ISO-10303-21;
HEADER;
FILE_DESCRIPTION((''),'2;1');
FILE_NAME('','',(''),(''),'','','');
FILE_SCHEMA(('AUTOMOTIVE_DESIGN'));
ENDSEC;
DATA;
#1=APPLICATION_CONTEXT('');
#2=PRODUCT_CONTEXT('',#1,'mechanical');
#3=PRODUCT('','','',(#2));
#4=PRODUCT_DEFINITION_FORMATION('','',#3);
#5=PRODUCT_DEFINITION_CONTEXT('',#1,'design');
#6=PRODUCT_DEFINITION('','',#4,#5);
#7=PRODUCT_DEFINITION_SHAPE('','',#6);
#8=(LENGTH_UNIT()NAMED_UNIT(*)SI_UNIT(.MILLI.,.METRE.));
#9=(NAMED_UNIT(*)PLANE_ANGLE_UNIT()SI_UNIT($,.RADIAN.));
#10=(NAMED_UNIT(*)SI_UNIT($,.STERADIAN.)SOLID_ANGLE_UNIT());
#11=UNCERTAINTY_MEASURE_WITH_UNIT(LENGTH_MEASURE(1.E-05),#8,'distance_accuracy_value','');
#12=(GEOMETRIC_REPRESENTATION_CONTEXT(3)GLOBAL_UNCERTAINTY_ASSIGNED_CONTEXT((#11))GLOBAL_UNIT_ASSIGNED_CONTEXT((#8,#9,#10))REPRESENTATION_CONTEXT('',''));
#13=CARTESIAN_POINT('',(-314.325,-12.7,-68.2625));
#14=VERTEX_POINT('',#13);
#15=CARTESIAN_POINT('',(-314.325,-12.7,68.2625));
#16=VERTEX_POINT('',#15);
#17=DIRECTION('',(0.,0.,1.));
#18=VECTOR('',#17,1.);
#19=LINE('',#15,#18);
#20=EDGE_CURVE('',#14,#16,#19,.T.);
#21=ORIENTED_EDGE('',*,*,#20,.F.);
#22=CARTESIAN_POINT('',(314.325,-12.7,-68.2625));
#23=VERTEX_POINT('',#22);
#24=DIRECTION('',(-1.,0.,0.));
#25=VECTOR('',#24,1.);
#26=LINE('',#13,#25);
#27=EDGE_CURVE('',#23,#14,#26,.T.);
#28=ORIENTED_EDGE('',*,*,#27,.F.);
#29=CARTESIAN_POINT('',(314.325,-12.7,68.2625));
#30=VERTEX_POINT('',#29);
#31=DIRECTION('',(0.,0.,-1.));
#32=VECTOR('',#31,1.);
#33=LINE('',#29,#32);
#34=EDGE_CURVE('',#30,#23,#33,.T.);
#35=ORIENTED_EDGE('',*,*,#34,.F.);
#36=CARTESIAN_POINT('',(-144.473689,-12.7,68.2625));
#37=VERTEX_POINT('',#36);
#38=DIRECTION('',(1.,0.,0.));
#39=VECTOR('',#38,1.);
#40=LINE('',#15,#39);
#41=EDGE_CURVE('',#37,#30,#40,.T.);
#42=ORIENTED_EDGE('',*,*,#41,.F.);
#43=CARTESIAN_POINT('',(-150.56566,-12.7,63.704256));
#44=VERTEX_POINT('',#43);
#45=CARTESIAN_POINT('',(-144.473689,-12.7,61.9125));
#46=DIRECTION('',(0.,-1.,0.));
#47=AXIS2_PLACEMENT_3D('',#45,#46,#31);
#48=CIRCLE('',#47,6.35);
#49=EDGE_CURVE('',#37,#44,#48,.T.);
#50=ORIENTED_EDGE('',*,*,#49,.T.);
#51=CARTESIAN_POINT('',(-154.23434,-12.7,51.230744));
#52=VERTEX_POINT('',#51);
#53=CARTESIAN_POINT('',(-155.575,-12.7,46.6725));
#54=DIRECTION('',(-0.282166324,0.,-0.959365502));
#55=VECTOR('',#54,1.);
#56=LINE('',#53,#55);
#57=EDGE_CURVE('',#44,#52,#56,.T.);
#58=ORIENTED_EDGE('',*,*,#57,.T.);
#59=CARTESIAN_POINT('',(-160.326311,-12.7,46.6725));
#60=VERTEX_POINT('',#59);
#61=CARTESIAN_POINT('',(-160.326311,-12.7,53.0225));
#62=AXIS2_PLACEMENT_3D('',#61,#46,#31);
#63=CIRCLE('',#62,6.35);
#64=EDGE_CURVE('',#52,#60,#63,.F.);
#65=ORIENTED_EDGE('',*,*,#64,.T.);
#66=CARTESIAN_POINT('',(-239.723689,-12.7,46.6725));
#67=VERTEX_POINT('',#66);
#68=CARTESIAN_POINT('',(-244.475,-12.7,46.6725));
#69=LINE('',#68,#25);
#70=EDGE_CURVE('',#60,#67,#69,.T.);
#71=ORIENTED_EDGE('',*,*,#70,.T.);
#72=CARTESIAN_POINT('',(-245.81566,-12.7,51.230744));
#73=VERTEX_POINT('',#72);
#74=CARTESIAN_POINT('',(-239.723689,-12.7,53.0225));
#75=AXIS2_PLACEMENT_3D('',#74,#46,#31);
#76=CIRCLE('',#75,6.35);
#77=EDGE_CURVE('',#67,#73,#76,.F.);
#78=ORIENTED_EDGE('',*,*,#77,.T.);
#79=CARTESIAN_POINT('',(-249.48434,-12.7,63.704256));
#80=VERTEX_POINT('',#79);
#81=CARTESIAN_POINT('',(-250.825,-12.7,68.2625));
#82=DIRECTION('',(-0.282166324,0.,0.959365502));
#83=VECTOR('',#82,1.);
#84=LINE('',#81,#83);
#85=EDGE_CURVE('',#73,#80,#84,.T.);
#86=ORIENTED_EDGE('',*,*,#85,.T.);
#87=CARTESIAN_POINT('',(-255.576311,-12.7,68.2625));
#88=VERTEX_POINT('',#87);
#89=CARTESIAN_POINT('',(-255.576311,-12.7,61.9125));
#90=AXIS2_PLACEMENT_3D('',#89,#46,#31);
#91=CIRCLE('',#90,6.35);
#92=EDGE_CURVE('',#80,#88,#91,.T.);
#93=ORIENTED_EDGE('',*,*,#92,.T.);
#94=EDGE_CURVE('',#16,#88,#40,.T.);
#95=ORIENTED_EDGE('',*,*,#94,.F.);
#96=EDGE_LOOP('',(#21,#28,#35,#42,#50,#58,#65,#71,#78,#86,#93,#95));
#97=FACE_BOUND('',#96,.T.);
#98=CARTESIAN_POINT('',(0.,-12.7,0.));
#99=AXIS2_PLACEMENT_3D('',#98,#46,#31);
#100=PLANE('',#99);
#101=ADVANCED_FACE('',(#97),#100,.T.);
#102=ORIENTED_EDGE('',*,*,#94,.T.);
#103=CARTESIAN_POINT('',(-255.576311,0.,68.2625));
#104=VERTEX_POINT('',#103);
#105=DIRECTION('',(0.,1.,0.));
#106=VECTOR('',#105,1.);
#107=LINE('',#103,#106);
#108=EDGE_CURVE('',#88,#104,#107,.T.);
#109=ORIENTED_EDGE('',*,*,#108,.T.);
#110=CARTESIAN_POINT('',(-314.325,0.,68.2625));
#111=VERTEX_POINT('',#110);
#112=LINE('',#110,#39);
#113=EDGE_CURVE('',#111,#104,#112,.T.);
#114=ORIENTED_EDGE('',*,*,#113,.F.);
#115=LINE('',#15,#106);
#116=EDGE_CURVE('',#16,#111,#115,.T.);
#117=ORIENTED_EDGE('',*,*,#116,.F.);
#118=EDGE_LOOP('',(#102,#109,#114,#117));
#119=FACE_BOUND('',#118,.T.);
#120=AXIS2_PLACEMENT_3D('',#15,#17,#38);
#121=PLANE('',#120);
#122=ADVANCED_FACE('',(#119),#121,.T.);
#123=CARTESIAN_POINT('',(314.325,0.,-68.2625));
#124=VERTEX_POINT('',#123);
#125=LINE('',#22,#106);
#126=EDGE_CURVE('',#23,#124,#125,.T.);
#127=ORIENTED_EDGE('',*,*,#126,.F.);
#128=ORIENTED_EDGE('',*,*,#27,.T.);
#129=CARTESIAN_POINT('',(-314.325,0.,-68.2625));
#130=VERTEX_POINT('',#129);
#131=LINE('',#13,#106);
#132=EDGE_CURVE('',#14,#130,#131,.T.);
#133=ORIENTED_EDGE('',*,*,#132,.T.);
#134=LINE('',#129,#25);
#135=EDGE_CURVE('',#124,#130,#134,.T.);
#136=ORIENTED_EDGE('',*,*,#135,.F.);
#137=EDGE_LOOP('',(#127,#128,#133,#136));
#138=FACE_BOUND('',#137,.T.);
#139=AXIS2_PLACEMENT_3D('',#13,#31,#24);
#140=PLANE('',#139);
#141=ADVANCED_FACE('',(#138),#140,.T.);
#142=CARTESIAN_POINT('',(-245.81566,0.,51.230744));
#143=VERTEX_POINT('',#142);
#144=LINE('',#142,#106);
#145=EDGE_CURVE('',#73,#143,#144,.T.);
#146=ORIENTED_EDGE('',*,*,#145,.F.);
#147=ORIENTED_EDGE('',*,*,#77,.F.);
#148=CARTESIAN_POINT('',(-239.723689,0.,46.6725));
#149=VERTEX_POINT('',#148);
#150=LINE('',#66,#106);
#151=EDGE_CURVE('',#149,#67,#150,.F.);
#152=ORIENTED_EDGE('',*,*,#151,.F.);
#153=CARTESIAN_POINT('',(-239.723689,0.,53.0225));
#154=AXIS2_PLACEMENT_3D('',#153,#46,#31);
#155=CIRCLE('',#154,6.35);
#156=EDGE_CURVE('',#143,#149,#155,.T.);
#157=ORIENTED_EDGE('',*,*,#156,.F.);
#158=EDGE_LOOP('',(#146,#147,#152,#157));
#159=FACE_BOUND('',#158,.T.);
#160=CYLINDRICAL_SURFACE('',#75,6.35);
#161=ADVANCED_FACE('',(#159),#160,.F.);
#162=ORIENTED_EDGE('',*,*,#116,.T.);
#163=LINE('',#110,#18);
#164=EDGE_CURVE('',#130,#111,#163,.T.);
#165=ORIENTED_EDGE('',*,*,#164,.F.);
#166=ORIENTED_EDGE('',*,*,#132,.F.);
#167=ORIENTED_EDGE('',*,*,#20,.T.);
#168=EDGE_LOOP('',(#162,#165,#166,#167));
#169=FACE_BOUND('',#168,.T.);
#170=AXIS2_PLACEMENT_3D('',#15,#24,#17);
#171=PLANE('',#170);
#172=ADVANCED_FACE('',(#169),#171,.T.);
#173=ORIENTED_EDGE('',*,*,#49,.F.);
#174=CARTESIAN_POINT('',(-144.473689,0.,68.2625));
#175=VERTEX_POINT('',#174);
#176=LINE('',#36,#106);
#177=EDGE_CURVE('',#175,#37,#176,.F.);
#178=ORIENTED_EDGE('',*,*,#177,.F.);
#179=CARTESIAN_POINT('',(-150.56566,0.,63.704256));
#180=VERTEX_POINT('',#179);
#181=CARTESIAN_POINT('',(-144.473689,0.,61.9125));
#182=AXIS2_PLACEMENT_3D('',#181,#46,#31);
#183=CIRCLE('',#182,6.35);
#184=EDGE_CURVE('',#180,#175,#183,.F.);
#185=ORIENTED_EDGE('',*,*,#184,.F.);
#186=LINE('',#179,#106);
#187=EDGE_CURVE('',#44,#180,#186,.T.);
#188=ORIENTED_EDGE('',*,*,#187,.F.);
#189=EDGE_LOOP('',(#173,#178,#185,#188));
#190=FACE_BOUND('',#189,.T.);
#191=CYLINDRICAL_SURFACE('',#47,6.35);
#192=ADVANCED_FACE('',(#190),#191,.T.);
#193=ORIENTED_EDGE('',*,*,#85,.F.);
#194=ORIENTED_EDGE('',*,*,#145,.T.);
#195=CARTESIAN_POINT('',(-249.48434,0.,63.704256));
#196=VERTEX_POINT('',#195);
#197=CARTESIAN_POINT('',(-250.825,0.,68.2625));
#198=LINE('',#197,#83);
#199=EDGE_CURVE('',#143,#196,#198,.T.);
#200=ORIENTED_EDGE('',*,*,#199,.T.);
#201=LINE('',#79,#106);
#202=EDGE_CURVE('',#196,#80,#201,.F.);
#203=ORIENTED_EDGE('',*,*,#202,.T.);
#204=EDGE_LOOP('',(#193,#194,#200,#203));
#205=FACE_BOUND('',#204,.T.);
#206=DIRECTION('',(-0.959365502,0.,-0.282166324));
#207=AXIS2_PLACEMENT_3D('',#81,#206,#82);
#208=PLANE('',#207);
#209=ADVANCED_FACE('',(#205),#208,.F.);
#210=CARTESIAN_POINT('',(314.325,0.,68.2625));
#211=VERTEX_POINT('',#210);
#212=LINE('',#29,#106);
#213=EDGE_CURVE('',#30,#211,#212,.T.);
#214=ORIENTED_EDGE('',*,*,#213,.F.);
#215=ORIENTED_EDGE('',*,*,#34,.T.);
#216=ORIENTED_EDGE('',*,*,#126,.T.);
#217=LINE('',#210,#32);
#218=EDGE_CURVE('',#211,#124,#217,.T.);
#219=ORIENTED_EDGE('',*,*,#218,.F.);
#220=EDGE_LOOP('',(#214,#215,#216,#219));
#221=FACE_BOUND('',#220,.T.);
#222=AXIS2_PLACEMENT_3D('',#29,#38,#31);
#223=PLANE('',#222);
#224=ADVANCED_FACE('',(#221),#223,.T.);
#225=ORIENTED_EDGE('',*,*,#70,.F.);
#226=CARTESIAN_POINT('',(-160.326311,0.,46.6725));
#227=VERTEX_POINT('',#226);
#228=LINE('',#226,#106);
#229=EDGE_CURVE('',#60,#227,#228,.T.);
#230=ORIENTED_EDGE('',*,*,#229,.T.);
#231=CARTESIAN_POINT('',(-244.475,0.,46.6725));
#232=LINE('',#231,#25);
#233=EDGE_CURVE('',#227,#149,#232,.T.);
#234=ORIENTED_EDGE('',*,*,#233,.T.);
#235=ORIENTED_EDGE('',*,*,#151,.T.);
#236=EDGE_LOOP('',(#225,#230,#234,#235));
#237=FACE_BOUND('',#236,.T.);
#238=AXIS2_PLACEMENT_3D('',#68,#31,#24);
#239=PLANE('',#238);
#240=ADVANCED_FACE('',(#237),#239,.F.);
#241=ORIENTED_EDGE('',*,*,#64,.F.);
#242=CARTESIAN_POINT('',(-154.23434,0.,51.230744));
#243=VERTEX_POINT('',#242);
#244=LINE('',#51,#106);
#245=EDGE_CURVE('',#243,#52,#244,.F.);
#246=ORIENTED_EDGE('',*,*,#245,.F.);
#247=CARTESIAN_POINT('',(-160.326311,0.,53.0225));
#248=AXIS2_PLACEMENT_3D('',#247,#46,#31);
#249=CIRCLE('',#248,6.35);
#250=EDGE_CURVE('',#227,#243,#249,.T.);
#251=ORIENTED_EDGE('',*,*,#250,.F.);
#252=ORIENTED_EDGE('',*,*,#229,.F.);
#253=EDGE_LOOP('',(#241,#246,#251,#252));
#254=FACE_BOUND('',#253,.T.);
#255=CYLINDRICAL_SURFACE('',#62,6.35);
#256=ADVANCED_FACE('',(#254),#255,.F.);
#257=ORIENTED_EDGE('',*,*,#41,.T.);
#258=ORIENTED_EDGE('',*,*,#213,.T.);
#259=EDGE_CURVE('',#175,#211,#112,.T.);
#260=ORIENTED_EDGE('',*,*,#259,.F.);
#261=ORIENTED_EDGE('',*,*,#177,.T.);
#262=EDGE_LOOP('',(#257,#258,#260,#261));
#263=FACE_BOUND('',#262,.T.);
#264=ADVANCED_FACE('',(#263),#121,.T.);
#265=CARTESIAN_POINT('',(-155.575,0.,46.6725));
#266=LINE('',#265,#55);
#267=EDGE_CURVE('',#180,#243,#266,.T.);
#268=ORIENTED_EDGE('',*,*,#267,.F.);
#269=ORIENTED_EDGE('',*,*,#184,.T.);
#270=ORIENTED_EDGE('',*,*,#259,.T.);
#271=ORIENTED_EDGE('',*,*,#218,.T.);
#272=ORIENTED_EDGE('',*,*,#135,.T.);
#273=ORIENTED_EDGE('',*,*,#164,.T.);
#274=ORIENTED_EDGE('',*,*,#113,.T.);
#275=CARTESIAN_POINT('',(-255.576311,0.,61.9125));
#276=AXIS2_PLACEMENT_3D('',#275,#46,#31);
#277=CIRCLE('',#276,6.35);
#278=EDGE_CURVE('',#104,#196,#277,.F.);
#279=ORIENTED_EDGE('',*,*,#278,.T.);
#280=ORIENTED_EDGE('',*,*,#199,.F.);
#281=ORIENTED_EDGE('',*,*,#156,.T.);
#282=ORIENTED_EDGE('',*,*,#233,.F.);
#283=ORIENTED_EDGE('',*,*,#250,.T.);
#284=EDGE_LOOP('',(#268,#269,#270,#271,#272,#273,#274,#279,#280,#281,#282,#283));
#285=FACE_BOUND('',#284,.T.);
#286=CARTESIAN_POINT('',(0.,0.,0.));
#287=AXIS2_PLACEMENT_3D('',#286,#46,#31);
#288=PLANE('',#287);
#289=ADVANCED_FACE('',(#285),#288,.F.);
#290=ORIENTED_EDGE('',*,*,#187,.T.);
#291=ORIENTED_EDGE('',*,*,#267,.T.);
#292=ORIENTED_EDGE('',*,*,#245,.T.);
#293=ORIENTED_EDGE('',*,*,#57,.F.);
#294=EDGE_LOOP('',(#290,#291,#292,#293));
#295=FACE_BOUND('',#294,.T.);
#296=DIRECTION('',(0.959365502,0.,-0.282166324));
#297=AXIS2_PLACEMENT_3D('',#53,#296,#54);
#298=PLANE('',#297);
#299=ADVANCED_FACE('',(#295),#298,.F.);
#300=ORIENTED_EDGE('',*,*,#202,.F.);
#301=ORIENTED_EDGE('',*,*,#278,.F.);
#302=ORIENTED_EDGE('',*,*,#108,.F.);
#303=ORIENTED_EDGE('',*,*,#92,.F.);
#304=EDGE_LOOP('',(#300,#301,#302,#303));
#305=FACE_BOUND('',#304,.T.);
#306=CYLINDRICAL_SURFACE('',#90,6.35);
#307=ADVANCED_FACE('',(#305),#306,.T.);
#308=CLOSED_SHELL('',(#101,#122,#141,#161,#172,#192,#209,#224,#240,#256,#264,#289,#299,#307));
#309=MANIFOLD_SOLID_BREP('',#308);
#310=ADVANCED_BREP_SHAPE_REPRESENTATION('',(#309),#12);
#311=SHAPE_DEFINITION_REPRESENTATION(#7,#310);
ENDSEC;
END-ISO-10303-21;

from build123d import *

# Parameters (mm, degrees)
SKETCH1_W           = 628.65
SKETCH1_H           = 136.525
BOSS_EXTRUDE1_DEPTH = 12.7
CUT_EXTRUDE1_DEPTH  = 322.902569936
FILLET1_R           = 6.35


with BuildPart() as part:
    # Sketch1 → Boss-Extrude1 (new body)
    with BuildSketch(Plane(origin=(0, 0, 0), x_dir=(1, 0, 0), z_dir=(0, 1, 0))):
        Rectangle(SKETCH1_W, SKETCH1_H)
    extrude(amount=-BOSS_EXTRUDE1_DEPTH)

    # Sketch2 → Cut-Extrude1 (cut, through all)
    with BuildSketch(Plane(origin=(0, 0, 0), x_dir=(1, 0, 0), z_dir=(0, 1, 0))):
        Polygon((-250.825, -68.2625), (-244.475, -46.6725), (-155.575, -46.6725), (-149.225, -68.2625), align=None)
    extrude(amount=-CUT_EXTRUDE1_DEPTH, mode=Mode.SUBTRACT)

    # Fillet1
    fillet1_edges = [part.edges().sort_by_distance(p)[0] for p in [
        (-149.225, -6.35, 68.2625),
        (-250.825, -6.35, 68.2625),
        (-244.475, -6.35, 46.6725),
        (-155.575, -6.35, 46.6725),
    ]]
    fillet(fillet1_edges, radius=FILLET1_R)


solid = part.part
